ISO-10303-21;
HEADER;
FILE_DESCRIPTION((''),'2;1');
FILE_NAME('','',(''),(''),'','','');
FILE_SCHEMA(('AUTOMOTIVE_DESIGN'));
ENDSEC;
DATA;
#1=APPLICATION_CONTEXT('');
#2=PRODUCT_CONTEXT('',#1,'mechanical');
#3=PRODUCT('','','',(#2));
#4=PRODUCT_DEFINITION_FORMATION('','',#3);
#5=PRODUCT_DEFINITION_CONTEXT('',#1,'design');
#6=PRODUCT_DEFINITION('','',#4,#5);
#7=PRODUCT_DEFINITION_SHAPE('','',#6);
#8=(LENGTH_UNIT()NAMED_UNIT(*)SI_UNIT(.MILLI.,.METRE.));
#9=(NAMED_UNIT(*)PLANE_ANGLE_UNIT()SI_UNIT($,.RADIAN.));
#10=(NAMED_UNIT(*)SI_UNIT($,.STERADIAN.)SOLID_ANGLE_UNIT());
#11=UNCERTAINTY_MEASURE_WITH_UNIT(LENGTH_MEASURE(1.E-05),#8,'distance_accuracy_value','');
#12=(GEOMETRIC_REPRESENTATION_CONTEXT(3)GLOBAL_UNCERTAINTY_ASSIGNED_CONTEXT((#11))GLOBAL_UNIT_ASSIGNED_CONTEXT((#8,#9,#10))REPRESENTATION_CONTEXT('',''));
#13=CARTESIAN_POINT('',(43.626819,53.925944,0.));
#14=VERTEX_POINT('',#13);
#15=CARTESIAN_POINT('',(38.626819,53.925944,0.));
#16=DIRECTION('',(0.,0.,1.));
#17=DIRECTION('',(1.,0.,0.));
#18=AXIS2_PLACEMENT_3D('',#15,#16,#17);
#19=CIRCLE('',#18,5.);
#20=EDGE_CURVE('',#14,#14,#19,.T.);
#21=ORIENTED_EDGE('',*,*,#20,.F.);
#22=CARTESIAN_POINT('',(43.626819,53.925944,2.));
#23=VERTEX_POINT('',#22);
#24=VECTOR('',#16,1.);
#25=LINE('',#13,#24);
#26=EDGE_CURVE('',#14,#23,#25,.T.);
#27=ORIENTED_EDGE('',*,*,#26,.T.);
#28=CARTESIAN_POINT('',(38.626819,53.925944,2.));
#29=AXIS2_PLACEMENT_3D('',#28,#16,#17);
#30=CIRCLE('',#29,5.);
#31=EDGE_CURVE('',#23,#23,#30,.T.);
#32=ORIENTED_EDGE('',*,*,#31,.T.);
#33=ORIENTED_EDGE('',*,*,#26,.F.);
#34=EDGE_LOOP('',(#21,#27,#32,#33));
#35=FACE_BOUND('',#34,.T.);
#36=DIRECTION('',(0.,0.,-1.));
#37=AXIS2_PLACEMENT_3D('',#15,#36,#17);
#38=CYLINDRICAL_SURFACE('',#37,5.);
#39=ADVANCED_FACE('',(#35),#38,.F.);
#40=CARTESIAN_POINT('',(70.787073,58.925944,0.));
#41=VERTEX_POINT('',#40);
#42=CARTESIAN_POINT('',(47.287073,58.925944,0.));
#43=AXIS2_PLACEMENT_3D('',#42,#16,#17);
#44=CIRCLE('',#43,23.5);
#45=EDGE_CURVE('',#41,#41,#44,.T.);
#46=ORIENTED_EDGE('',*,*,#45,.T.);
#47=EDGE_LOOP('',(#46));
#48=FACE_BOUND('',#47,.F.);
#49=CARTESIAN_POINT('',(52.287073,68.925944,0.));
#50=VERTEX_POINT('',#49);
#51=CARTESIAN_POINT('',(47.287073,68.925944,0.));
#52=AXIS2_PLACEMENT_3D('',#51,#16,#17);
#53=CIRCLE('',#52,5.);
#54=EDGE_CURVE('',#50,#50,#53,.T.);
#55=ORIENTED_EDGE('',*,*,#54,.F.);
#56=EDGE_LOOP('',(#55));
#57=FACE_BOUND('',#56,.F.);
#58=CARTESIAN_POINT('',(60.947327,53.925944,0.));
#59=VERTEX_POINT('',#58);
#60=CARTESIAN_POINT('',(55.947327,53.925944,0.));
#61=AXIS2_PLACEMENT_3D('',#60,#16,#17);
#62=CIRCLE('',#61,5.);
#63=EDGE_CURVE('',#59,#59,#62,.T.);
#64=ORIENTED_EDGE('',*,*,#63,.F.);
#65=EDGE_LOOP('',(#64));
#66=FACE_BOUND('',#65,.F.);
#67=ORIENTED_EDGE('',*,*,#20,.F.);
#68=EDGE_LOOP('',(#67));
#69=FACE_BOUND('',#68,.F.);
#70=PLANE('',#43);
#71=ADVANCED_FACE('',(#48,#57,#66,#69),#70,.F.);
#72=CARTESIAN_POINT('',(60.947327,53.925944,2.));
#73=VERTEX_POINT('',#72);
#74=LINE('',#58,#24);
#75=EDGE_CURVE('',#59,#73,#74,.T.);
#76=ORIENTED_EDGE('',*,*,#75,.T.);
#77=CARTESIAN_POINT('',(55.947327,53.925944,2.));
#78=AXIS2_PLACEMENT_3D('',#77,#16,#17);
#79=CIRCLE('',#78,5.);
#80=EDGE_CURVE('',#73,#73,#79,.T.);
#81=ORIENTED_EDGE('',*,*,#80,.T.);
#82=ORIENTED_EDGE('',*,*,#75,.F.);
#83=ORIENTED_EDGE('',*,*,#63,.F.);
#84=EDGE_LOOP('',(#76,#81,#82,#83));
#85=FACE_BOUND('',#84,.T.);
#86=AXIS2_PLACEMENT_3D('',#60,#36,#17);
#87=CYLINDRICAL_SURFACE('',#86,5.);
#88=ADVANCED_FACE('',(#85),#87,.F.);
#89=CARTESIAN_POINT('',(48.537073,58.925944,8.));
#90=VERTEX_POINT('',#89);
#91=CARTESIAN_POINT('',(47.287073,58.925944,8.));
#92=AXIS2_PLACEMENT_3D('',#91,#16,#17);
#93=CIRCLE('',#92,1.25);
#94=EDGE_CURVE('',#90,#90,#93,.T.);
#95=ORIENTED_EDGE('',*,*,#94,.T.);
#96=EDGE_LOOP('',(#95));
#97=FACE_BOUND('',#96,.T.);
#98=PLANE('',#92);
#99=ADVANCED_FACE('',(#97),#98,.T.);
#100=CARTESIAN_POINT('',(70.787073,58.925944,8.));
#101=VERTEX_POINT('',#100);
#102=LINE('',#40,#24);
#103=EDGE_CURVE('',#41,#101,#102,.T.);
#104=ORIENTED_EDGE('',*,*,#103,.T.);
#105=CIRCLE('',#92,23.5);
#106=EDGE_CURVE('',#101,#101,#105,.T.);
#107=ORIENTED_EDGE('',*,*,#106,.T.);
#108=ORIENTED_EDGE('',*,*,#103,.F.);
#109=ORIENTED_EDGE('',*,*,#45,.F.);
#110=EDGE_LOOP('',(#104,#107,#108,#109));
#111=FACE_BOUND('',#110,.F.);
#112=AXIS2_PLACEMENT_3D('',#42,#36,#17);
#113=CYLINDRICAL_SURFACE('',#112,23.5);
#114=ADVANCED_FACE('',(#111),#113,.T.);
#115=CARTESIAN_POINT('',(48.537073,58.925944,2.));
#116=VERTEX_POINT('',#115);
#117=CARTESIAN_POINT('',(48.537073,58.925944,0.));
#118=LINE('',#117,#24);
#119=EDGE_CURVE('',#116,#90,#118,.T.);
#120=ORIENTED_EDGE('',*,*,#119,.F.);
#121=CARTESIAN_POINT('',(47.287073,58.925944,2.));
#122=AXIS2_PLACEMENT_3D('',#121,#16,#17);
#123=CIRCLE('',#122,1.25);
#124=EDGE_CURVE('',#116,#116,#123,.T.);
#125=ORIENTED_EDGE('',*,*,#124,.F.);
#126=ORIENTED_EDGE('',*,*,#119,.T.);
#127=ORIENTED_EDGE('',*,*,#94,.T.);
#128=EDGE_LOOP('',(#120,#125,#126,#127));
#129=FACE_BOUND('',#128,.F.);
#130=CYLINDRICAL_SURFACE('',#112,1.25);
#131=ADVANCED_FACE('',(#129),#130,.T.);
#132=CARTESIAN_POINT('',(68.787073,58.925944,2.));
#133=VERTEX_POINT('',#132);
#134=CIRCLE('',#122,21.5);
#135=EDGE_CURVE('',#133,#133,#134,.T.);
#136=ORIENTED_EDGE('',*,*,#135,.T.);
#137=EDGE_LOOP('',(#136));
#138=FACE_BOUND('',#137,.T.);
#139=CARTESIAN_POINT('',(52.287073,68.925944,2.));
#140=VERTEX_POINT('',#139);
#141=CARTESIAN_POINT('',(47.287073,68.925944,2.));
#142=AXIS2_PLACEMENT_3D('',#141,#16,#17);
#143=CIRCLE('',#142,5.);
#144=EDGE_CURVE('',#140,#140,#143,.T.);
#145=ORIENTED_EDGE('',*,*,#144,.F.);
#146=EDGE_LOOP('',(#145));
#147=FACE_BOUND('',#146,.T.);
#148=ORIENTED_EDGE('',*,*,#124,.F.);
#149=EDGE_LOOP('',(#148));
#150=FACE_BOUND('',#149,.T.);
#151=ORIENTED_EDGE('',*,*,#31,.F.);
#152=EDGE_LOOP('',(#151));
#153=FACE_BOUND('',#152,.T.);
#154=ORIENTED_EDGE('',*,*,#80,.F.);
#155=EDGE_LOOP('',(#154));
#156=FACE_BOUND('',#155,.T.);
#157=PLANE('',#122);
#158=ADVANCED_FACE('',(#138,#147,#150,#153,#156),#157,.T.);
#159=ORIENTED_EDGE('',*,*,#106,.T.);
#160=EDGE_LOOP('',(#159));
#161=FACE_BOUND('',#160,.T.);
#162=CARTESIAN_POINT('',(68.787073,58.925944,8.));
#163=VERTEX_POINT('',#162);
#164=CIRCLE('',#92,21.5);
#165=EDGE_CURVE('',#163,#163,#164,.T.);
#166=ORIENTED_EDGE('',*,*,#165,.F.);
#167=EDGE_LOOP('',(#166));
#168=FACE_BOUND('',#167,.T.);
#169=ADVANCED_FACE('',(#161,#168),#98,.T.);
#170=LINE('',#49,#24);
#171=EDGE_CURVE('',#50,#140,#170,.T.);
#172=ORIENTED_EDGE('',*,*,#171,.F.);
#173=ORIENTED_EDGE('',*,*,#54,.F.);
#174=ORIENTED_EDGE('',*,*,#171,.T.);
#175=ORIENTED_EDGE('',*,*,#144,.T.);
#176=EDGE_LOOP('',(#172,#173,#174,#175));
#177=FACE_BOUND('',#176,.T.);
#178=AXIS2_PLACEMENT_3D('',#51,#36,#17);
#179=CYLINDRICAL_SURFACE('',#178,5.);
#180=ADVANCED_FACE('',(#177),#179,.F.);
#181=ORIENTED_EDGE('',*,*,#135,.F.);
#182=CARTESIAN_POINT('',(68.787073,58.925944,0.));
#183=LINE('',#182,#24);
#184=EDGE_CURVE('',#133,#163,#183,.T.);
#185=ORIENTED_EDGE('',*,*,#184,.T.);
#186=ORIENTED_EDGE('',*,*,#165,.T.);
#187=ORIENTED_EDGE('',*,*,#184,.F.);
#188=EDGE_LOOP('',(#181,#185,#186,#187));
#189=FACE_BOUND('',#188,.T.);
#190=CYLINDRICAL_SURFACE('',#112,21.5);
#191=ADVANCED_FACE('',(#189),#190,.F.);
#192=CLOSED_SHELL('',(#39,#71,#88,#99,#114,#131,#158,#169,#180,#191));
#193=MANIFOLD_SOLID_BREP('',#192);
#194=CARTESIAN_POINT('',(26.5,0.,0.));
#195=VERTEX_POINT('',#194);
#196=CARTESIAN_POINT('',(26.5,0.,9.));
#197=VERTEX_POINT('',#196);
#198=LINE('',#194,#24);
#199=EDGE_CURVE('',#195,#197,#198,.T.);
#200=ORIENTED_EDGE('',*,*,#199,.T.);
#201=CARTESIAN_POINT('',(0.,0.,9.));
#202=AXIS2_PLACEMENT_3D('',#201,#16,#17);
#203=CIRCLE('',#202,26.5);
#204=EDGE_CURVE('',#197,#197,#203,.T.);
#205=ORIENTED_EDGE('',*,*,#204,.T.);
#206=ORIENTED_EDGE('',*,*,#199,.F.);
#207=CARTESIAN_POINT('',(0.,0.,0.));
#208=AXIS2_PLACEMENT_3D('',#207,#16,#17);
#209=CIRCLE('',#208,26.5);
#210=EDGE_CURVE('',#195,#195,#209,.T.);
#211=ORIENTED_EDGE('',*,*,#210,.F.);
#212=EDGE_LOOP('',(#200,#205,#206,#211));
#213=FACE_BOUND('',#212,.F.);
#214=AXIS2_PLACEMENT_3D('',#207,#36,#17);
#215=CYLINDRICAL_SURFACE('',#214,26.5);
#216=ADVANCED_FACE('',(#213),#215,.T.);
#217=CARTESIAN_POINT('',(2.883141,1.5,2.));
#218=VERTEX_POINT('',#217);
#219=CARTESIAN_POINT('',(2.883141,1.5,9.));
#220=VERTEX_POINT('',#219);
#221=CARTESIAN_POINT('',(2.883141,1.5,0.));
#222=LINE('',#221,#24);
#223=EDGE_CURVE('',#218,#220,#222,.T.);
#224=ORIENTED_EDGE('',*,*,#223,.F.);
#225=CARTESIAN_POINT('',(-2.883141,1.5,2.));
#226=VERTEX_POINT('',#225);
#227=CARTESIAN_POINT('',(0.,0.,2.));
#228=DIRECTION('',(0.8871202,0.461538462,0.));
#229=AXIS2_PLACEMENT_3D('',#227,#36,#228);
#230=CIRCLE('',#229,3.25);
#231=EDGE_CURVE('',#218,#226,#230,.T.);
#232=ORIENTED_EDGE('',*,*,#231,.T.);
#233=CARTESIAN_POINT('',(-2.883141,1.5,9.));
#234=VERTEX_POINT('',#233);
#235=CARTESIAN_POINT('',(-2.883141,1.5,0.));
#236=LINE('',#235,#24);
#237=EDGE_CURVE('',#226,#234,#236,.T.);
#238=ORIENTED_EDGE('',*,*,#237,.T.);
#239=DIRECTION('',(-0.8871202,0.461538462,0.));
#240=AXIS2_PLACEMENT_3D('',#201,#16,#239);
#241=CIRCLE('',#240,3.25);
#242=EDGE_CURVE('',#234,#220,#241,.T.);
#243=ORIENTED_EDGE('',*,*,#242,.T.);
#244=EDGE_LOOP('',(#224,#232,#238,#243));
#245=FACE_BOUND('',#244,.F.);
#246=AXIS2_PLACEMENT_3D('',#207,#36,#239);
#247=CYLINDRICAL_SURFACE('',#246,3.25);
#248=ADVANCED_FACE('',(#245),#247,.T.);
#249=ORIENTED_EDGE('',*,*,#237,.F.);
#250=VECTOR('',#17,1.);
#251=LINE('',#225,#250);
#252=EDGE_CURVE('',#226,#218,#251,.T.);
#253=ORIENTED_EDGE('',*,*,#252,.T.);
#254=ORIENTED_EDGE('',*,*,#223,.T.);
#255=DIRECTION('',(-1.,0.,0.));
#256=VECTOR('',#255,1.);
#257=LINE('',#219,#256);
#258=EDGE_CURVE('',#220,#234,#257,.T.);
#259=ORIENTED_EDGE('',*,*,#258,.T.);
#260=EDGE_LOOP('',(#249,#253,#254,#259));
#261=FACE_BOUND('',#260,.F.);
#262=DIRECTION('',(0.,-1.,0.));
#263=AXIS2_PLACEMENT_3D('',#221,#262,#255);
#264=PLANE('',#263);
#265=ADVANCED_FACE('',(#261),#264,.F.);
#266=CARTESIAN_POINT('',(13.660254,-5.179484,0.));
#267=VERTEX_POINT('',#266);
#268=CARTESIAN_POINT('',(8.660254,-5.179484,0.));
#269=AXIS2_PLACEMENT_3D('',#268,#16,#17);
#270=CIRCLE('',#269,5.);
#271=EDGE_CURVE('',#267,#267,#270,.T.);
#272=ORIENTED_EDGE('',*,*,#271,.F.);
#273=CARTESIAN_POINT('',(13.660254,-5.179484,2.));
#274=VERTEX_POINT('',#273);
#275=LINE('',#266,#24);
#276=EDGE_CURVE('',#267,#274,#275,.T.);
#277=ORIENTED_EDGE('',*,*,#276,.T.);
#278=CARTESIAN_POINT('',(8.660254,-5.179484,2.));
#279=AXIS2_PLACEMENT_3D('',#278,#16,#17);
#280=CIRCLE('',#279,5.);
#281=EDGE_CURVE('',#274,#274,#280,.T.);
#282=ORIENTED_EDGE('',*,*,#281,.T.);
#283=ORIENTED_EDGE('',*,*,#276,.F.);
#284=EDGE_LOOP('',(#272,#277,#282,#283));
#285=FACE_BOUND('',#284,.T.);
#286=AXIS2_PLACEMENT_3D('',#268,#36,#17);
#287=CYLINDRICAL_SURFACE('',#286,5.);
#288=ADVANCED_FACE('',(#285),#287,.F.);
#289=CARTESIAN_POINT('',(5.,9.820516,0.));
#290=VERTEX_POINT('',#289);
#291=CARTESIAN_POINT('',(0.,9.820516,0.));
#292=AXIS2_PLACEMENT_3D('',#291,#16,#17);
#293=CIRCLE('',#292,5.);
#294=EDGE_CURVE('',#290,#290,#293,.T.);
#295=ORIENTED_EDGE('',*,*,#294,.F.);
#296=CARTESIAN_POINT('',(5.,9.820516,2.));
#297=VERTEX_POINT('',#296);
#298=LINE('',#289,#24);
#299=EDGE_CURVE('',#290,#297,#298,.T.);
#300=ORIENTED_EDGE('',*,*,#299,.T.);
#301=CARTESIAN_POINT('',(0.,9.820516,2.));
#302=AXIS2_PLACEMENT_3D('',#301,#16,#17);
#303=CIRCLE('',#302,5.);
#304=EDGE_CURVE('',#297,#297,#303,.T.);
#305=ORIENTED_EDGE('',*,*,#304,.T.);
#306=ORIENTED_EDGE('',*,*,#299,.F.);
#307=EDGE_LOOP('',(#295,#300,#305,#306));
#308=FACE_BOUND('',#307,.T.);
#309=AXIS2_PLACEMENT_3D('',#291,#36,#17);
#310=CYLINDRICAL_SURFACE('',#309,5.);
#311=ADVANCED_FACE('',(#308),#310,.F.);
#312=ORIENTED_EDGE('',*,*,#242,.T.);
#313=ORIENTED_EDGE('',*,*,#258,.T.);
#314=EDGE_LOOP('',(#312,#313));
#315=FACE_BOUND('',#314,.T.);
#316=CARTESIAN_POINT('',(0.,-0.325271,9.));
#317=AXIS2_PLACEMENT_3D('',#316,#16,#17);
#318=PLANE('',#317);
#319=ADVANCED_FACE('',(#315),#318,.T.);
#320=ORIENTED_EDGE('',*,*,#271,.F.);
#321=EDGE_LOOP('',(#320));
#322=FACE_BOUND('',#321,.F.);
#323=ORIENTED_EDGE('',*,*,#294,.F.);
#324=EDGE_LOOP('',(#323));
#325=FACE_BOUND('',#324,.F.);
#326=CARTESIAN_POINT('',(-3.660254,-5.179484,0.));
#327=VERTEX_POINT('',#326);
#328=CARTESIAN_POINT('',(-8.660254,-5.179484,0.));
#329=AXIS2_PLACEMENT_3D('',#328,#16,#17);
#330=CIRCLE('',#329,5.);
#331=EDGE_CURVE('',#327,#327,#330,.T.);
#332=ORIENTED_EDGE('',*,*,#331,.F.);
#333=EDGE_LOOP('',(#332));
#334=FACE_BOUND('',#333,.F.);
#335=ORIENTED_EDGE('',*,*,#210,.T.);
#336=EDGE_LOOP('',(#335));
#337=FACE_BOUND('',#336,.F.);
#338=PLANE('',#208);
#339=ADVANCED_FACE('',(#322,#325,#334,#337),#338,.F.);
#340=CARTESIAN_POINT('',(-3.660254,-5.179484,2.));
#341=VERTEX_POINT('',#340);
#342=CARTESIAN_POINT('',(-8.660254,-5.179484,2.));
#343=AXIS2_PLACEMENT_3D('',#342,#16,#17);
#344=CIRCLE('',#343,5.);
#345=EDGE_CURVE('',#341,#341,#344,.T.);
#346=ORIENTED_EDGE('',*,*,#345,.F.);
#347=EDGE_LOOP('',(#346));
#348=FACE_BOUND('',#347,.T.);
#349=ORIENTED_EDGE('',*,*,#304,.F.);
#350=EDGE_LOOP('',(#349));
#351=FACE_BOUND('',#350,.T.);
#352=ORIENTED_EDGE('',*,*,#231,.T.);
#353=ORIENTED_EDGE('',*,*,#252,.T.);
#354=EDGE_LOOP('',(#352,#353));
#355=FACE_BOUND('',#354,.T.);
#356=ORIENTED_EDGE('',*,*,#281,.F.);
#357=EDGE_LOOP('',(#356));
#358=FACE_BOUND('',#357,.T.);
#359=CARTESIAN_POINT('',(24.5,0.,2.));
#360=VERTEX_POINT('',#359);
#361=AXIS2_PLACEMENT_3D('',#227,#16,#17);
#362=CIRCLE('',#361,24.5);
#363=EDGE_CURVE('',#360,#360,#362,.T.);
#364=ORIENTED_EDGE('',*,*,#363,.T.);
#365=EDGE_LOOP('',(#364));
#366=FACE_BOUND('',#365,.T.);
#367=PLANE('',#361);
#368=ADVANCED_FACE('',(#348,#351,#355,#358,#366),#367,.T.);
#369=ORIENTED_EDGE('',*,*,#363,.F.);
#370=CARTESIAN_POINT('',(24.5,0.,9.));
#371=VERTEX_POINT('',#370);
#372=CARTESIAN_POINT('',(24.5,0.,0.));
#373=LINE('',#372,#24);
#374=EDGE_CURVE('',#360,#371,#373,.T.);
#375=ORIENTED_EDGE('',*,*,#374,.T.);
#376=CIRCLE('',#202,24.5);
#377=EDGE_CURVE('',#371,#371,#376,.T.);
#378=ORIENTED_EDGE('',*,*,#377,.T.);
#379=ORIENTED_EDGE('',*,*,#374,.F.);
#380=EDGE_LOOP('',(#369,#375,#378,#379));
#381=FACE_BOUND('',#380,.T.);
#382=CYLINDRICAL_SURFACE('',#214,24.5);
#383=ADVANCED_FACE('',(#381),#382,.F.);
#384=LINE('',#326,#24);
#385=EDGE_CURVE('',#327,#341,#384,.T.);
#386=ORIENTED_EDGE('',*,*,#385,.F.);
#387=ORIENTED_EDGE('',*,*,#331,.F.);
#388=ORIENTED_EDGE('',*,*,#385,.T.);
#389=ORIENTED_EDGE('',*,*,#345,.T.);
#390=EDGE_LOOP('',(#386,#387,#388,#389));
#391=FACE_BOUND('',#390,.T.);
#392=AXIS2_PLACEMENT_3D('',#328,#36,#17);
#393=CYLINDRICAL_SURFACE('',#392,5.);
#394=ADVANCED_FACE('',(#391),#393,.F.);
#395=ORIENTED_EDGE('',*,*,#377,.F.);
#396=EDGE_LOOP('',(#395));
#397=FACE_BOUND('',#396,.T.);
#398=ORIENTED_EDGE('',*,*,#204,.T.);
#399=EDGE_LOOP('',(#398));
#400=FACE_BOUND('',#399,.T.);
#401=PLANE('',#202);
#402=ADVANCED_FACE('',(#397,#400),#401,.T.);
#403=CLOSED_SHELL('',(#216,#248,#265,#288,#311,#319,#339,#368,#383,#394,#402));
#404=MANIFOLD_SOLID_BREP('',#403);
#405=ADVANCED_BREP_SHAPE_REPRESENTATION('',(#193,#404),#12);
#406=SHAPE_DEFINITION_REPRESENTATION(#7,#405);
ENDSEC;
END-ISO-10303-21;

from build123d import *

# Parameters (mm, degrees)
F1_DEPTH = 9
F0_R     = 26.5
F0_R_2   = 24.5
F0_R_3   = 5
F2_DEPTH = 2
F0_R_4   = 23.5
F0_R_5   = 21.5
F5_DEPTH = 8
F0_R_6   = 1.25
F6_DEPTH = 2


with BuildPart() as f1:
    # F0 (on Top) → F1 (new body)
    with BuildSketch(Plane.XY):
        with BuildLine():
            Line((2.8831406487, 1.5), (-2.8831406487, 1.5))
            ThreePointArc((-2.8831406487, 1.5), (0, -3.25), (2.8831406487, 1.5))
        make_face()
    extrude(amount=F1_DEPTH)



with BuildPart() as f1b:
    # F0 (on Top) → F1, piece 2 (new body)
    with BuildSketch(Plane.XY):
        Circle(F0_R)
        Circle(F0_R_2, mode=Mode.SUBTRACT)
    extrude(amount=F1_DEPTH)


with BuildPart() as f1_1:
    add(f1.part)

    add(f1b.part)  # F2 merges F1b
    # F0 (on Top) → F2 (join)
    with BuildSketch(Plane.XY):
        Circle(F0_R_2)
        with Locations((-8.6602540378, -5.1794842726)):
            Circle(F0_R_3, mode=Mode.SUBTRACT)
        with BuildLine():
            ThreePointArc((2.8831406487, 1.5), (0, -3.25), (-2.8831406487, 1.5))
            Line((-2.8831406487, 1.5), (2.8831406487, 1.5))
        make_face(mode=Mode.SUBTRACT)
        with Locations((8.6602540378, -5.1794842726)):
            Circle(F0_R_3, mode=Mode.SUBTRACT)
        with Locations((0, 9.8205157274)):
            Circle(F0_R_3, mode=Mode.SUBTRACT)
    extrude(amount=F2_DEPTH)


with BuildPart() as f3_1:
    # F3: copy of F1
    add(f1_1.part)


with BuildPart() as f5:
    # F0 (on Top) → F5 (new body)
    with BuildSketch(Plane.XY):
        with Locations((47.2870729864, 58.9259437852)):
            Circle(F0_R_4)
        with Locations((47.2870729864, 58.9259437852)):
            Circle(F0_R_5, mode=Mode.SUBTRACT)
    extrude(amount=F5_DEPTH)



with BuildPart() as f5b:
    # F0 (on Top) → F5, piece 2 (new body)
    with BuildSketch(Plane.XY):
        with Locations((47.2870729864, 58.9259437852)):
            Circle(F0_R_6)
    extrude(amount=F5_DEPTH)


with BuildPart() as f5_1:
    add(f5.part)

    add(f5b.part)  # F6 merges F5b
    # F0 (on Top) → F6 (join)
    with BuildSketch(Plane.XY):
        with Locations((47.2870729864, 58.9259437852)):
            Circle(F0_R_5)
        with Locations((38.6268189485, 53.9259437852)):
            Circle(F0_R_3, mode=Mode.SUBTRACT)
        with Locations((55.9473270242, 53.9259437852)):
            Circle(F0_R_3, mode=Mode.SUBTRACT)
        with Locations((47.2870729864, 58.9259437852)):
            Circle(F0_R_6, mode=Mode.SUBTRACT)
        with Locations((47.2870729864, 68.9259437852)):
            Circle(F0_R_3, mode=Mode.SUBTRACT)
    extrude(amount=F6_DEPTH)


solid = Compound([f3_1.part, f5_1.part])
